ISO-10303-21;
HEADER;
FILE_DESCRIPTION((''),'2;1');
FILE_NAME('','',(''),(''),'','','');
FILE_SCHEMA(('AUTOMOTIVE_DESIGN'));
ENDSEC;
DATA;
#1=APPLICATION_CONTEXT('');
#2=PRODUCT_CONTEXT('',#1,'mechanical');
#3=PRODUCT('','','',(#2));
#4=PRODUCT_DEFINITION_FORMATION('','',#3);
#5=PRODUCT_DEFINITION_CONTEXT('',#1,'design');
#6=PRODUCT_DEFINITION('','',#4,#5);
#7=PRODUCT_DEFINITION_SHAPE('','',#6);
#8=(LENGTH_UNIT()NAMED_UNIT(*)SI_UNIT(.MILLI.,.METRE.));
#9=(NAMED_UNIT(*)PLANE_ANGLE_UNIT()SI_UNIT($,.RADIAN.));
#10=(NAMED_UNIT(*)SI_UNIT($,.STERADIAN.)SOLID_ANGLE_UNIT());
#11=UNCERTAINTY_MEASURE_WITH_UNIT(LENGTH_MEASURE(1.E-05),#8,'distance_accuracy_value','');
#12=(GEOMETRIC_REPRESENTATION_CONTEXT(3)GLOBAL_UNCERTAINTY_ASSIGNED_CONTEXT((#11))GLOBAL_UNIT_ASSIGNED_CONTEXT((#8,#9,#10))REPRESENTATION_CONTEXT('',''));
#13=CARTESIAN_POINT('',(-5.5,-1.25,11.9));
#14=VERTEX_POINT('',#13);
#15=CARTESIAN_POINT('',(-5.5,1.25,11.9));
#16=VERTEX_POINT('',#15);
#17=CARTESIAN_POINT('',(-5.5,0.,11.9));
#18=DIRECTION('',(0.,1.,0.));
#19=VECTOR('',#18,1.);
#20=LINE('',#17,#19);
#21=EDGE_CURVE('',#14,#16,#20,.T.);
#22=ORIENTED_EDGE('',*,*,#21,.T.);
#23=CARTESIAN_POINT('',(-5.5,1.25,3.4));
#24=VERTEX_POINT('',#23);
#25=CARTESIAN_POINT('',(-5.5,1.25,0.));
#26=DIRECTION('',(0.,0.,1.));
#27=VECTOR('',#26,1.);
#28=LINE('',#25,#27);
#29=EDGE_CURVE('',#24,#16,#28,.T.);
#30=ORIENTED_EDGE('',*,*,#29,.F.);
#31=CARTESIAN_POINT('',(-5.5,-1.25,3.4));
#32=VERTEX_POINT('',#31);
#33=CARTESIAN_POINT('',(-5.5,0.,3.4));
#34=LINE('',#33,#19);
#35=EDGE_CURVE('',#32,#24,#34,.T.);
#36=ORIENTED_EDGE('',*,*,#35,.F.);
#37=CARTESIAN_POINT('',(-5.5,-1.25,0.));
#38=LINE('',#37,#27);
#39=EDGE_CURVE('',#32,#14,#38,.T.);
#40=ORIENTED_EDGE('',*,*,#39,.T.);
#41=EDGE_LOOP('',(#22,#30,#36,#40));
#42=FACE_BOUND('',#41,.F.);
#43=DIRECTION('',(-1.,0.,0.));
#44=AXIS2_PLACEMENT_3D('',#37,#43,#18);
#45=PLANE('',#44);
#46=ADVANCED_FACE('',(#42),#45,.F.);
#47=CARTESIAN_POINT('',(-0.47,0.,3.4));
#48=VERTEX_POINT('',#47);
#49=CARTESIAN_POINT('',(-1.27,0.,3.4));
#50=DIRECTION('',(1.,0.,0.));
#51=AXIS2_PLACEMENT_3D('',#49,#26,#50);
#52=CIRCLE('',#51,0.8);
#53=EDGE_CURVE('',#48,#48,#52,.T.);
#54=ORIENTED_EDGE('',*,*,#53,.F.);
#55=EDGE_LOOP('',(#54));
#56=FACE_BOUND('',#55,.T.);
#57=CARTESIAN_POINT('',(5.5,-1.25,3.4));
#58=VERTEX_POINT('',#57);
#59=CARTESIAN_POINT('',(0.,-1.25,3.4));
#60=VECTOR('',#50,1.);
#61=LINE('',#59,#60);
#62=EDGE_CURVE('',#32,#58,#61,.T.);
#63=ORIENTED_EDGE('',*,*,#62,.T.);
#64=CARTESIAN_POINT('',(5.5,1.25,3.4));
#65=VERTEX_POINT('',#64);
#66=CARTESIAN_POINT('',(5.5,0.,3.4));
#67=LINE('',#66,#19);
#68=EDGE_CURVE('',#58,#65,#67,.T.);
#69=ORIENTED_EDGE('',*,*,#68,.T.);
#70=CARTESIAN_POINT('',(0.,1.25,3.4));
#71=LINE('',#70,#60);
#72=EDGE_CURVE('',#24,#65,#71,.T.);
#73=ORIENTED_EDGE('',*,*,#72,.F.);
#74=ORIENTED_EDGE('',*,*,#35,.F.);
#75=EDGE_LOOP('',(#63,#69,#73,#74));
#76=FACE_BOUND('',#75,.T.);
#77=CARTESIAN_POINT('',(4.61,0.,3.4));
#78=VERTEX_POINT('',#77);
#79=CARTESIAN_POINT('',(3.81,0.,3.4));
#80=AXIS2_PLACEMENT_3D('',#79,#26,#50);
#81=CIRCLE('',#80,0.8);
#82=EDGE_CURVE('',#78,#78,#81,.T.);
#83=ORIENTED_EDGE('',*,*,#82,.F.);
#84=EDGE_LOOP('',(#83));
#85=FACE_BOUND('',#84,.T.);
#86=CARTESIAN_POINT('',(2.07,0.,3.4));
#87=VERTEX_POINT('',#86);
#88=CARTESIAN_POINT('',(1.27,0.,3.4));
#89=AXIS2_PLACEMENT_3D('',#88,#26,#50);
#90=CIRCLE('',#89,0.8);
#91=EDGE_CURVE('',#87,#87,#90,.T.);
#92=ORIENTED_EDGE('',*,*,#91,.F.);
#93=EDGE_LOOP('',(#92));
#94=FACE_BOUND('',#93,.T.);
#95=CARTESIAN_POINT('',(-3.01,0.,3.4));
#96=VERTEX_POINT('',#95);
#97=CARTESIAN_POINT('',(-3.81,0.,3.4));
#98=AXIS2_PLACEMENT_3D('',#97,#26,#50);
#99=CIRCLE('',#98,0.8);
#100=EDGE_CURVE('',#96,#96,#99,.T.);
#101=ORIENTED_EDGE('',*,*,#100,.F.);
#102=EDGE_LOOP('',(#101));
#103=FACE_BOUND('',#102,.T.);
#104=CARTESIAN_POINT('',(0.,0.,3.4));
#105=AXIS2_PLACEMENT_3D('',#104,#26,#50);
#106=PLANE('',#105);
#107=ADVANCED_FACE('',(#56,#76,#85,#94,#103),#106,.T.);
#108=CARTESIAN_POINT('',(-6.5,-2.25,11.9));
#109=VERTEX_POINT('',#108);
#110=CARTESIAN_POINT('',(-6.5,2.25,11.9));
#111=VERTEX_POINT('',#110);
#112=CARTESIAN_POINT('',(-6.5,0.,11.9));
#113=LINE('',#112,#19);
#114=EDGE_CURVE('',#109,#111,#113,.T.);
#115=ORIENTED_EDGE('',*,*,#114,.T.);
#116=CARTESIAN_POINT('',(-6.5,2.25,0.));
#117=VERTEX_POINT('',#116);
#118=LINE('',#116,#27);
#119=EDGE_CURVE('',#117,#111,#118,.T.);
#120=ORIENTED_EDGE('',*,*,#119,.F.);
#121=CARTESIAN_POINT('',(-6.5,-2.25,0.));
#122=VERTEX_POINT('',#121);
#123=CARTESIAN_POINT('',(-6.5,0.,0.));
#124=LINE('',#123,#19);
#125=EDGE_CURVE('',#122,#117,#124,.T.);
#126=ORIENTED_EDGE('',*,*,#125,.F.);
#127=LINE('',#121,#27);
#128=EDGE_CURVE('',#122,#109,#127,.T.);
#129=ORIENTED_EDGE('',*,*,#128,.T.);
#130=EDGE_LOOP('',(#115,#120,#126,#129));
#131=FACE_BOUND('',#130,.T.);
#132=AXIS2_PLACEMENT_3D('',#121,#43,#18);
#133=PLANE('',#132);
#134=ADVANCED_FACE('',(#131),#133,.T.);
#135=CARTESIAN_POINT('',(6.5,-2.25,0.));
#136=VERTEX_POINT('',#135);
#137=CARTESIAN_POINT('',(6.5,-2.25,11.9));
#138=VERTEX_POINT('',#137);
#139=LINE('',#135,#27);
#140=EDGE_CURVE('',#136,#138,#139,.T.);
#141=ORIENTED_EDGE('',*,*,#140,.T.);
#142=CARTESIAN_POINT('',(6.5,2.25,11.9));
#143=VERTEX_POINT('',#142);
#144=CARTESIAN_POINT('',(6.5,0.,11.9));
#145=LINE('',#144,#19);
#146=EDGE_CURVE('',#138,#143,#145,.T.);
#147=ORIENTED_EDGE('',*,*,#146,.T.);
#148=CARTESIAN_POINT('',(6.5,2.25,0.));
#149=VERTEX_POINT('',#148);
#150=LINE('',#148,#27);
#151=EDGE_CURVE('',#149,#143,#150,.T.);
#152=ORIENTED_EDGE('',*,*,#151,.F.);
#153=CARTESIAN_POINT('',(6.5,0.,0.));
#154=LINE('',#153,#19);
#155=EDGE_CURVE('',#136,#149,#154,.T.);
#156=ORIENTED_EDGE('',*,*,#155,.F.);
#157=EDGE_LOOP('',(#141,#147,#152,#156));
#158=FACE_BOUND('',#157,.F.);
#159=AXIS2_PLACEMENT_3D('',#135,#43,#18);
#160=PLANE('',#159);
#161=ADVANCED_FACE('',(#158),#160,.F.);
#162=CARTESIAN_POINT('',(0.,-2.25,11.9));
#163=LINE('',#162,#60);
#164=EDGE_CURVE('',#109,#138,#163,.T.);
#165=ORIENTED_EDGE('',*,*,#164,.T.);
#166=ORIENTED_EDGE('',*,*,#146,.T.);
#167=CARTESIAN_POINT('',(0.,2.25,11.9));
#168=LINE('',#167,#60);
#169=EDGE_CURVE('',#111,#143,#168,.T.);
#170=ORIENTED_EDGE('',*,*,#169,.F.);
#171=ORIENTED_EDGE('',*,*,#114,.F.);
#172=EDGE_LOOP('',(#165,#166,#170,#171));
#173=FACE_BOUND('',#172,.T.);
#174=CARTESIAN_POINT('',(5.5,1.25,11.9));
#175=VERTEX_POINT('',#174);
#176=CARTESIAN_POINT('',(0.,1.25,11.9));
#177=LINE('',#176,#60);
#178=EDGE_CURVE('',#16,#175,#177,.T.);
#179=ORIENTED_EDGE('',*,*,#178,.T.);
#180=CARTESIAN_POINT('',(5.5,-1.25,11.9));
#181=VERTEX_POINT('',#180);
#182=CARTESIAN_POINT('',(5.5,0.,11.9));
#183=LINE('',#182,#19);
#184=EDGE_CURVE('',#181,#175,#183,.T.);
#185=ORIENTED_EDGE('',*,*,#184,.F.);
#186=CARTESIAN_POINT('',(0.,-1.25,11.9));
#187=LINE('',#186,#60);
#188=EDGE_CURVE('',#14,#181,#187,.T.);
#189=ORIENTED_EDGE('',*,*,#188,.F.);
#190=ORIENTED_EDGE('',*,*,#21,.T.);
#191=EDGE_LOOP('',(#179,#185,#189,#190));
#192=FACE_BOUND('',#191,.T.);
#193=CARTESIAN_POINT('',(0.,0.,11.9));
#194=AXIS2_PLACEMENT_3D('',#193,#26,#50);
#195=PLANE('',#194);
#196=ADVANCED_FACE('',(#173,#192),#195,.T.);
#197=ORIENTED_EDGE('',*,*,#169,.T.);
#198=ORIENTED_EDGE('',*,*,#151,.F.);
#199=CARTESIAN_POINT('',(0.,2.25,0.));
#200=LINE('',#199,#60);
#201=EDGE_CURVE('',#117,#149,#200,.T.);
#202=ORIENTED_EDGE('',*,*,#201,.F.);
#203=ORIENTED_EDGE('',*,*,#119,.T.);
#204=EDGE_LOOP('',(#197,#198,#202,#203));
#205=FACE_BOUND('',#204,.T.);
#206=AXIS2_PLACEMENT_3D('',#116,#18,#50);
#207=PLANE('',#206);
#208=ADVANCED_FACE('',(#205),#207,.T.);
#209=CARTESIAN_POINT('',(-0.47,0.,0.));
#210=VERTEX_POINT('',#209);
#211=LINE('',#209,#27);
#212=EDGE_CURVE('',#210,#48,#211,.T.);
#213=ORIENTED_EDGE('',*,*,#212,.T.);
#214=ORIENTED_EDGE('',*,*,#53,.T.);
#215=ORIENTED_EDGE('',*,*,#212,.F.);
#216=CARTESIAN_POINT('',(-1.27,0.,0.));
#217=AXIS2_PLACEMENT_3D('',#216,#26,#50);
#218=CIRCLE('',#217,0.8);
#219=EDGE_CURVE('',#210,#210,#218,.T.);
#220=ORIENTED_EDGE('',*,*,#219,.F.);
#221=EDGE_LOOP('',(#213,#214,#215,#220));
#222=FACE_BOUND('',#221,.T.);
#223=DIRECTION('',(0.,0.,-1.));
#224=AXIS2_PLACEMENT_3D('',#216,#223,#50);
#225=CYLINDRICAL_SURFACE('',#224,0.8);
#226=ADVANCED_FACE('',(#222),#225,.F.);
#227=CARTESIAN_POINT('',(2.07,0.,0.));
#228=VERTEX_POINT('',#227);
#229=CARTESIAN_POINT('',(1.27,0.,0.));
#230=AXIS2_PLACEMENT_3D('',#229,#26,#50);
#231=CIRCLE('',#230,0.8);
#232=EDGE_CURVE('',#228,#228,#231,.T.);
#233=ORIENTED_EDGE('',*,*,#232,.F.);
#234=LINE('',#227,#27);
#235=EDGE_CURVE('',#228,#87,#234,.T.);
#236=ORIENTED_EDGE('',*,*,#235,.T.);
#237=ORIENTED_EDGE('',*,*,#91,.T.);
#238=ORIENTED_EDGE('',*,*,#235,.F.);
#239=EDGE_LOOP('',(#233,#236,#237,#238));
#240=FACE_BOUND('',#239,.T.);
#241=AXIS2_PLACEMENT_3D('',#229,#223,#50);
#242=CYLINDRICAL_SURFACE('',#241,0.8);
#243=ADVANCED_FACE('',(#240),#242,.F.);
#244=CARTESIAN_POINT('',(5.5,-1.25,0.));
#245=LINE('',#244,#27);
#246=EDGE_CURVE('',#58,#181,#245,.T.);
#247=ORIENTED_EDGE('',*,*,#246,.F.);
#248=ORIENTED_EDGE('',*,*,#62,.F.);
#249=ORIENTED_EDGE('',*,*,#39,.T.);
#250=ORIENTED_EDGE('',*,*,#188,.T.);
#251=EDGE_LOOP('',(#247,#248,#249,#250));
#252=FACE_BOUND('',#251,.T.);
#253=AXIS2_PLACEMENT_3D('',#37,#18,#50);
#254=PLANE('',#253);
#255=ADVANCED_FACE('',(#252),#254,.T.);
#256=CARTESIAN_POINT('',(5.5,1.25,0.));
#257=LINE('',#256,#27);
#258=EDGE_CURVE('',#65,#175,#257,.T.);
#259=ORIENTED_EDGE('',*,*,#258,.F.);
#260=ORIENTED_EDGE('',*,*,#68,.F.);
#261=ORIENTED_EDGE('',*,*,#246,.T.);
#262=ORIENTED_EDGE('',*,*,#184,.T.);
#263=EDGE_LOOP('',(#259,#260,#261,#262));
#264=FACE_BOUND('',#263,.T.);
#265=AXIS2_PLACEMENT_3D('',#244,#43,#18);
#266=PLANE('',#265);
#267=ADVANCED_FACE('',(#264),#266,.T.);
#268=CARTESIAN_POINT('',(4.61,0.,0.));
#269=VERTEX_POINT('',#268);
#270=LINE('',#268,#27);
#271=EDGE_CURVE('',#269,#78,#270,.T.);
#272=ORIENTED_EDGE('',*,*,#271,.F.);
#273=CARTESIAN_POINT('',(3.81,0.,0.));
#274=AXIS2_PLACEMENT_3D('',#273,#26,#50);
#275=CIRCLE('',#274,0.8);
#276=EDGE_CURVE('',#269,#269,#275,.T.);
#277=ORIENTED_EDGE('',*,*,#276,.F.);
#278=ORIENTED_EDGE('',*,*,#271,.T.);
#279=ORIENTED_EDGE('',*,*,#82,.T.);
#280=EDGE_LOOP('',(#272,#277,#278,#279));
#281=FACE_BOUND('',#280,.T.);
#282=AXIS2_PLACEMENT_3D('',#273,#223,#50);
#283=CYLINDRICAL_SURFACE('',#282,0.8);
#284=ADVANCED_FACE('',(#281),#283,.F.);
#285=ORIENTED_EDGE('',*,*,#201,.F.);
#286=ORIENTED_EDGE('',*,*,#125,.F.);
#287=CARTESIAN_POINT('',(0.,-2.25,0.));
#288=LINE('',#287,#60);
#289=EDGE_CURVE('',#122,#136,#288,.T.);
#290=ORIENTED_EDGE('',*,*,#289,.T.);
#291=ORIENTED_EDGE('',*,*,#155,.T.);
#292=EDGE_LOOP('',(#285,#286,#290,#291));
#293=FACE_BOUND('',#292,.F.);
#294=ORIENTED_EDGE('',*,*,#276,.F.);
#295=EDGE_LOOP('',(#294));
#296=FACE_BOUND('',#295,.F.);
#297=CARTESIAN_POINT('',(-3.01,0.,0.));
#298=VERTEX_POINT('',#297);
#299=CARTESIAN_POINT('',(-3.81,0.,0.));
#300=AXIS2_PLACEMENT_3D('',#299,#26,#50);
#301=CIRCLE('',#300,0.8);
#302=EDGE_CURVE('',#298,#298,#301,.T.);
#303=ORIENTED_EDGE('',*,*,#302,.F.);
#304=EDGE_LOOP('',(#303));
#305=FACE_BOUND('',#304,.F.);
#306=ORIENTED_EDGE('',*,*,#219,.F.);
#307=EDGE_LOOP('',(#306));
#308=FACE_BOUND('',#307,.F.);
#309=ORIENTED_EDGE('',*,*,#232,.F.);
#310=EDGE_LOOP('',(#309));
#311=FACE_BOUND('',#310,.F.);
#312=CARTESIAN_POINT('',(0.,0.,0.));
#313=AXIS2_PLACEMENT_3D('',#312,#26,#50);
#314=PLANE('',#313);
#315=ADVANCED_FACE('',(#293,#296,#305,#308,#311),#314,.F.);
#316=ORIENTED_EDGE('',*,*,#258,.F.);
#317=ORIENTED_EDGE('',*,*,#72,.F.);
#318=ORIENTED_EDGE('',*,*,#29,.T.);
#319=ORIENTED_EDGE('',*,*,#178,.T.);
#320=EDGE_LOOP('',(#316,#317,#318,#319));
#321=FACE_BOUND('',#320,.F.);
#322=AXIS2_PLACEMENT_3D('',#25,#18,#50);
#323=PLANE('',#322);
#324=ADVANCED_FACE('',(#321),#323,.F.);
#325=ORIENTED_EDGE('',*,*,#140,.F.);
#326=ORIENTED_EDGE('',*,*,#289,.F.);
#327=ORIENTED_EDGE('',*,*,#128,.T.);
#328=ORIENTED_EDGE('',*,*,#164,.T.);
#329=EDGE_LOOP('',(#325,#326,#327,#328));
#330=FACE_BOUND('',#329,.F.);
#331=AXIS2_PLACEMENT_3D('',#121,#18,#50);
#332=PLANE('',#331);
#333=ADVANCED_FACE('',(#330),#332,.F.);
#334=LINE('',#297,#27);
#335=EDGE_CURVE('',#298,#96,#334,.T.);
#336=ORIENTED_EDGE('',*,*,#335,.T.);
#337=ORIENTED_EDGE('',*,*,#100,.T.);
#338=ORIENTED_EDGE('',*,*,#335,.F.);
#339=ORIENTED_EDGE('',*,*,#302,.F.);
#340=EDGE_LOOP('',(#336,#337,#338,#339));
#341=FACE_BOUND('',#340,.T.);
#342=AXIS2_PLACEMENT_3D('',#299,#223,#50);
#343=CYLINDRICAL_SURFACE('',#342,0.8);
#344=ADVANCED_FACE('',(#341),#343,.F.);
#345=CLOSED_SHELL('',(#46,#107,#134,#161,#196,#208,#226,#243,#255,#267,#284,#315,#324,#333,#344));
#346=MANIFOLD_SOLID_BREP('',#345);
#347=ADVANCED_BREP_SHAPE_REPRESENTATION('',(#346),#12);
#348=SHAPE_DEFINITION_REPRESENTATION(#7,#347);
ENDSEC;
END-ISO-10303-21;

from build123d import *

# Parameters (mm, degrees)
SKETCH_W      = 11
SKETCH_H      = 2.5
SKETCH_R      = 0.8
PAD_DEPTH     = 3.4
SKETCH001_W   = 13
SKETCH001_H   = 4.5
SKETCH001_W_2 = 11
SKETCH001_H_2 = 2.5
PAD001_DEPTH  = 11.9


with BuildPart() as part:
    # Sketch → Pad (new body)
    with BuildSketch(Plane.XY):
        Rectangle(SKETCH_W, SKETCH_H)
        with Locations((-1.27, 0)):
            Circle(SKETCH_R, mode=Mode.SUBTRACT)
        with Locations((1.27, 0)):
            Circle(SKETCH_R, mode=Mode.SUBTRACT)
        with Locations((3.81, 0)):
            Circle(SKETCH_R, mode=Mode.SUBTRACT)
        with Locations((-3.81, 0)):
            Circle(SKETCH_R, mode=Mode.SUBTRACT)
    extrude(amount=PAD_DEPTH)

    # Sketch001 → Pad001 (join)
    with BuildSketch(Plane.XY):
        Rectangle(SKETCH001_W, SKETCH001_H)
        Rectangle(SKETCH001_W_2, SKETCH001_H_2, mode=Mode.SUBTRACT)
    extrude(amount=PAD001_DEPTH)


solid = part.part
